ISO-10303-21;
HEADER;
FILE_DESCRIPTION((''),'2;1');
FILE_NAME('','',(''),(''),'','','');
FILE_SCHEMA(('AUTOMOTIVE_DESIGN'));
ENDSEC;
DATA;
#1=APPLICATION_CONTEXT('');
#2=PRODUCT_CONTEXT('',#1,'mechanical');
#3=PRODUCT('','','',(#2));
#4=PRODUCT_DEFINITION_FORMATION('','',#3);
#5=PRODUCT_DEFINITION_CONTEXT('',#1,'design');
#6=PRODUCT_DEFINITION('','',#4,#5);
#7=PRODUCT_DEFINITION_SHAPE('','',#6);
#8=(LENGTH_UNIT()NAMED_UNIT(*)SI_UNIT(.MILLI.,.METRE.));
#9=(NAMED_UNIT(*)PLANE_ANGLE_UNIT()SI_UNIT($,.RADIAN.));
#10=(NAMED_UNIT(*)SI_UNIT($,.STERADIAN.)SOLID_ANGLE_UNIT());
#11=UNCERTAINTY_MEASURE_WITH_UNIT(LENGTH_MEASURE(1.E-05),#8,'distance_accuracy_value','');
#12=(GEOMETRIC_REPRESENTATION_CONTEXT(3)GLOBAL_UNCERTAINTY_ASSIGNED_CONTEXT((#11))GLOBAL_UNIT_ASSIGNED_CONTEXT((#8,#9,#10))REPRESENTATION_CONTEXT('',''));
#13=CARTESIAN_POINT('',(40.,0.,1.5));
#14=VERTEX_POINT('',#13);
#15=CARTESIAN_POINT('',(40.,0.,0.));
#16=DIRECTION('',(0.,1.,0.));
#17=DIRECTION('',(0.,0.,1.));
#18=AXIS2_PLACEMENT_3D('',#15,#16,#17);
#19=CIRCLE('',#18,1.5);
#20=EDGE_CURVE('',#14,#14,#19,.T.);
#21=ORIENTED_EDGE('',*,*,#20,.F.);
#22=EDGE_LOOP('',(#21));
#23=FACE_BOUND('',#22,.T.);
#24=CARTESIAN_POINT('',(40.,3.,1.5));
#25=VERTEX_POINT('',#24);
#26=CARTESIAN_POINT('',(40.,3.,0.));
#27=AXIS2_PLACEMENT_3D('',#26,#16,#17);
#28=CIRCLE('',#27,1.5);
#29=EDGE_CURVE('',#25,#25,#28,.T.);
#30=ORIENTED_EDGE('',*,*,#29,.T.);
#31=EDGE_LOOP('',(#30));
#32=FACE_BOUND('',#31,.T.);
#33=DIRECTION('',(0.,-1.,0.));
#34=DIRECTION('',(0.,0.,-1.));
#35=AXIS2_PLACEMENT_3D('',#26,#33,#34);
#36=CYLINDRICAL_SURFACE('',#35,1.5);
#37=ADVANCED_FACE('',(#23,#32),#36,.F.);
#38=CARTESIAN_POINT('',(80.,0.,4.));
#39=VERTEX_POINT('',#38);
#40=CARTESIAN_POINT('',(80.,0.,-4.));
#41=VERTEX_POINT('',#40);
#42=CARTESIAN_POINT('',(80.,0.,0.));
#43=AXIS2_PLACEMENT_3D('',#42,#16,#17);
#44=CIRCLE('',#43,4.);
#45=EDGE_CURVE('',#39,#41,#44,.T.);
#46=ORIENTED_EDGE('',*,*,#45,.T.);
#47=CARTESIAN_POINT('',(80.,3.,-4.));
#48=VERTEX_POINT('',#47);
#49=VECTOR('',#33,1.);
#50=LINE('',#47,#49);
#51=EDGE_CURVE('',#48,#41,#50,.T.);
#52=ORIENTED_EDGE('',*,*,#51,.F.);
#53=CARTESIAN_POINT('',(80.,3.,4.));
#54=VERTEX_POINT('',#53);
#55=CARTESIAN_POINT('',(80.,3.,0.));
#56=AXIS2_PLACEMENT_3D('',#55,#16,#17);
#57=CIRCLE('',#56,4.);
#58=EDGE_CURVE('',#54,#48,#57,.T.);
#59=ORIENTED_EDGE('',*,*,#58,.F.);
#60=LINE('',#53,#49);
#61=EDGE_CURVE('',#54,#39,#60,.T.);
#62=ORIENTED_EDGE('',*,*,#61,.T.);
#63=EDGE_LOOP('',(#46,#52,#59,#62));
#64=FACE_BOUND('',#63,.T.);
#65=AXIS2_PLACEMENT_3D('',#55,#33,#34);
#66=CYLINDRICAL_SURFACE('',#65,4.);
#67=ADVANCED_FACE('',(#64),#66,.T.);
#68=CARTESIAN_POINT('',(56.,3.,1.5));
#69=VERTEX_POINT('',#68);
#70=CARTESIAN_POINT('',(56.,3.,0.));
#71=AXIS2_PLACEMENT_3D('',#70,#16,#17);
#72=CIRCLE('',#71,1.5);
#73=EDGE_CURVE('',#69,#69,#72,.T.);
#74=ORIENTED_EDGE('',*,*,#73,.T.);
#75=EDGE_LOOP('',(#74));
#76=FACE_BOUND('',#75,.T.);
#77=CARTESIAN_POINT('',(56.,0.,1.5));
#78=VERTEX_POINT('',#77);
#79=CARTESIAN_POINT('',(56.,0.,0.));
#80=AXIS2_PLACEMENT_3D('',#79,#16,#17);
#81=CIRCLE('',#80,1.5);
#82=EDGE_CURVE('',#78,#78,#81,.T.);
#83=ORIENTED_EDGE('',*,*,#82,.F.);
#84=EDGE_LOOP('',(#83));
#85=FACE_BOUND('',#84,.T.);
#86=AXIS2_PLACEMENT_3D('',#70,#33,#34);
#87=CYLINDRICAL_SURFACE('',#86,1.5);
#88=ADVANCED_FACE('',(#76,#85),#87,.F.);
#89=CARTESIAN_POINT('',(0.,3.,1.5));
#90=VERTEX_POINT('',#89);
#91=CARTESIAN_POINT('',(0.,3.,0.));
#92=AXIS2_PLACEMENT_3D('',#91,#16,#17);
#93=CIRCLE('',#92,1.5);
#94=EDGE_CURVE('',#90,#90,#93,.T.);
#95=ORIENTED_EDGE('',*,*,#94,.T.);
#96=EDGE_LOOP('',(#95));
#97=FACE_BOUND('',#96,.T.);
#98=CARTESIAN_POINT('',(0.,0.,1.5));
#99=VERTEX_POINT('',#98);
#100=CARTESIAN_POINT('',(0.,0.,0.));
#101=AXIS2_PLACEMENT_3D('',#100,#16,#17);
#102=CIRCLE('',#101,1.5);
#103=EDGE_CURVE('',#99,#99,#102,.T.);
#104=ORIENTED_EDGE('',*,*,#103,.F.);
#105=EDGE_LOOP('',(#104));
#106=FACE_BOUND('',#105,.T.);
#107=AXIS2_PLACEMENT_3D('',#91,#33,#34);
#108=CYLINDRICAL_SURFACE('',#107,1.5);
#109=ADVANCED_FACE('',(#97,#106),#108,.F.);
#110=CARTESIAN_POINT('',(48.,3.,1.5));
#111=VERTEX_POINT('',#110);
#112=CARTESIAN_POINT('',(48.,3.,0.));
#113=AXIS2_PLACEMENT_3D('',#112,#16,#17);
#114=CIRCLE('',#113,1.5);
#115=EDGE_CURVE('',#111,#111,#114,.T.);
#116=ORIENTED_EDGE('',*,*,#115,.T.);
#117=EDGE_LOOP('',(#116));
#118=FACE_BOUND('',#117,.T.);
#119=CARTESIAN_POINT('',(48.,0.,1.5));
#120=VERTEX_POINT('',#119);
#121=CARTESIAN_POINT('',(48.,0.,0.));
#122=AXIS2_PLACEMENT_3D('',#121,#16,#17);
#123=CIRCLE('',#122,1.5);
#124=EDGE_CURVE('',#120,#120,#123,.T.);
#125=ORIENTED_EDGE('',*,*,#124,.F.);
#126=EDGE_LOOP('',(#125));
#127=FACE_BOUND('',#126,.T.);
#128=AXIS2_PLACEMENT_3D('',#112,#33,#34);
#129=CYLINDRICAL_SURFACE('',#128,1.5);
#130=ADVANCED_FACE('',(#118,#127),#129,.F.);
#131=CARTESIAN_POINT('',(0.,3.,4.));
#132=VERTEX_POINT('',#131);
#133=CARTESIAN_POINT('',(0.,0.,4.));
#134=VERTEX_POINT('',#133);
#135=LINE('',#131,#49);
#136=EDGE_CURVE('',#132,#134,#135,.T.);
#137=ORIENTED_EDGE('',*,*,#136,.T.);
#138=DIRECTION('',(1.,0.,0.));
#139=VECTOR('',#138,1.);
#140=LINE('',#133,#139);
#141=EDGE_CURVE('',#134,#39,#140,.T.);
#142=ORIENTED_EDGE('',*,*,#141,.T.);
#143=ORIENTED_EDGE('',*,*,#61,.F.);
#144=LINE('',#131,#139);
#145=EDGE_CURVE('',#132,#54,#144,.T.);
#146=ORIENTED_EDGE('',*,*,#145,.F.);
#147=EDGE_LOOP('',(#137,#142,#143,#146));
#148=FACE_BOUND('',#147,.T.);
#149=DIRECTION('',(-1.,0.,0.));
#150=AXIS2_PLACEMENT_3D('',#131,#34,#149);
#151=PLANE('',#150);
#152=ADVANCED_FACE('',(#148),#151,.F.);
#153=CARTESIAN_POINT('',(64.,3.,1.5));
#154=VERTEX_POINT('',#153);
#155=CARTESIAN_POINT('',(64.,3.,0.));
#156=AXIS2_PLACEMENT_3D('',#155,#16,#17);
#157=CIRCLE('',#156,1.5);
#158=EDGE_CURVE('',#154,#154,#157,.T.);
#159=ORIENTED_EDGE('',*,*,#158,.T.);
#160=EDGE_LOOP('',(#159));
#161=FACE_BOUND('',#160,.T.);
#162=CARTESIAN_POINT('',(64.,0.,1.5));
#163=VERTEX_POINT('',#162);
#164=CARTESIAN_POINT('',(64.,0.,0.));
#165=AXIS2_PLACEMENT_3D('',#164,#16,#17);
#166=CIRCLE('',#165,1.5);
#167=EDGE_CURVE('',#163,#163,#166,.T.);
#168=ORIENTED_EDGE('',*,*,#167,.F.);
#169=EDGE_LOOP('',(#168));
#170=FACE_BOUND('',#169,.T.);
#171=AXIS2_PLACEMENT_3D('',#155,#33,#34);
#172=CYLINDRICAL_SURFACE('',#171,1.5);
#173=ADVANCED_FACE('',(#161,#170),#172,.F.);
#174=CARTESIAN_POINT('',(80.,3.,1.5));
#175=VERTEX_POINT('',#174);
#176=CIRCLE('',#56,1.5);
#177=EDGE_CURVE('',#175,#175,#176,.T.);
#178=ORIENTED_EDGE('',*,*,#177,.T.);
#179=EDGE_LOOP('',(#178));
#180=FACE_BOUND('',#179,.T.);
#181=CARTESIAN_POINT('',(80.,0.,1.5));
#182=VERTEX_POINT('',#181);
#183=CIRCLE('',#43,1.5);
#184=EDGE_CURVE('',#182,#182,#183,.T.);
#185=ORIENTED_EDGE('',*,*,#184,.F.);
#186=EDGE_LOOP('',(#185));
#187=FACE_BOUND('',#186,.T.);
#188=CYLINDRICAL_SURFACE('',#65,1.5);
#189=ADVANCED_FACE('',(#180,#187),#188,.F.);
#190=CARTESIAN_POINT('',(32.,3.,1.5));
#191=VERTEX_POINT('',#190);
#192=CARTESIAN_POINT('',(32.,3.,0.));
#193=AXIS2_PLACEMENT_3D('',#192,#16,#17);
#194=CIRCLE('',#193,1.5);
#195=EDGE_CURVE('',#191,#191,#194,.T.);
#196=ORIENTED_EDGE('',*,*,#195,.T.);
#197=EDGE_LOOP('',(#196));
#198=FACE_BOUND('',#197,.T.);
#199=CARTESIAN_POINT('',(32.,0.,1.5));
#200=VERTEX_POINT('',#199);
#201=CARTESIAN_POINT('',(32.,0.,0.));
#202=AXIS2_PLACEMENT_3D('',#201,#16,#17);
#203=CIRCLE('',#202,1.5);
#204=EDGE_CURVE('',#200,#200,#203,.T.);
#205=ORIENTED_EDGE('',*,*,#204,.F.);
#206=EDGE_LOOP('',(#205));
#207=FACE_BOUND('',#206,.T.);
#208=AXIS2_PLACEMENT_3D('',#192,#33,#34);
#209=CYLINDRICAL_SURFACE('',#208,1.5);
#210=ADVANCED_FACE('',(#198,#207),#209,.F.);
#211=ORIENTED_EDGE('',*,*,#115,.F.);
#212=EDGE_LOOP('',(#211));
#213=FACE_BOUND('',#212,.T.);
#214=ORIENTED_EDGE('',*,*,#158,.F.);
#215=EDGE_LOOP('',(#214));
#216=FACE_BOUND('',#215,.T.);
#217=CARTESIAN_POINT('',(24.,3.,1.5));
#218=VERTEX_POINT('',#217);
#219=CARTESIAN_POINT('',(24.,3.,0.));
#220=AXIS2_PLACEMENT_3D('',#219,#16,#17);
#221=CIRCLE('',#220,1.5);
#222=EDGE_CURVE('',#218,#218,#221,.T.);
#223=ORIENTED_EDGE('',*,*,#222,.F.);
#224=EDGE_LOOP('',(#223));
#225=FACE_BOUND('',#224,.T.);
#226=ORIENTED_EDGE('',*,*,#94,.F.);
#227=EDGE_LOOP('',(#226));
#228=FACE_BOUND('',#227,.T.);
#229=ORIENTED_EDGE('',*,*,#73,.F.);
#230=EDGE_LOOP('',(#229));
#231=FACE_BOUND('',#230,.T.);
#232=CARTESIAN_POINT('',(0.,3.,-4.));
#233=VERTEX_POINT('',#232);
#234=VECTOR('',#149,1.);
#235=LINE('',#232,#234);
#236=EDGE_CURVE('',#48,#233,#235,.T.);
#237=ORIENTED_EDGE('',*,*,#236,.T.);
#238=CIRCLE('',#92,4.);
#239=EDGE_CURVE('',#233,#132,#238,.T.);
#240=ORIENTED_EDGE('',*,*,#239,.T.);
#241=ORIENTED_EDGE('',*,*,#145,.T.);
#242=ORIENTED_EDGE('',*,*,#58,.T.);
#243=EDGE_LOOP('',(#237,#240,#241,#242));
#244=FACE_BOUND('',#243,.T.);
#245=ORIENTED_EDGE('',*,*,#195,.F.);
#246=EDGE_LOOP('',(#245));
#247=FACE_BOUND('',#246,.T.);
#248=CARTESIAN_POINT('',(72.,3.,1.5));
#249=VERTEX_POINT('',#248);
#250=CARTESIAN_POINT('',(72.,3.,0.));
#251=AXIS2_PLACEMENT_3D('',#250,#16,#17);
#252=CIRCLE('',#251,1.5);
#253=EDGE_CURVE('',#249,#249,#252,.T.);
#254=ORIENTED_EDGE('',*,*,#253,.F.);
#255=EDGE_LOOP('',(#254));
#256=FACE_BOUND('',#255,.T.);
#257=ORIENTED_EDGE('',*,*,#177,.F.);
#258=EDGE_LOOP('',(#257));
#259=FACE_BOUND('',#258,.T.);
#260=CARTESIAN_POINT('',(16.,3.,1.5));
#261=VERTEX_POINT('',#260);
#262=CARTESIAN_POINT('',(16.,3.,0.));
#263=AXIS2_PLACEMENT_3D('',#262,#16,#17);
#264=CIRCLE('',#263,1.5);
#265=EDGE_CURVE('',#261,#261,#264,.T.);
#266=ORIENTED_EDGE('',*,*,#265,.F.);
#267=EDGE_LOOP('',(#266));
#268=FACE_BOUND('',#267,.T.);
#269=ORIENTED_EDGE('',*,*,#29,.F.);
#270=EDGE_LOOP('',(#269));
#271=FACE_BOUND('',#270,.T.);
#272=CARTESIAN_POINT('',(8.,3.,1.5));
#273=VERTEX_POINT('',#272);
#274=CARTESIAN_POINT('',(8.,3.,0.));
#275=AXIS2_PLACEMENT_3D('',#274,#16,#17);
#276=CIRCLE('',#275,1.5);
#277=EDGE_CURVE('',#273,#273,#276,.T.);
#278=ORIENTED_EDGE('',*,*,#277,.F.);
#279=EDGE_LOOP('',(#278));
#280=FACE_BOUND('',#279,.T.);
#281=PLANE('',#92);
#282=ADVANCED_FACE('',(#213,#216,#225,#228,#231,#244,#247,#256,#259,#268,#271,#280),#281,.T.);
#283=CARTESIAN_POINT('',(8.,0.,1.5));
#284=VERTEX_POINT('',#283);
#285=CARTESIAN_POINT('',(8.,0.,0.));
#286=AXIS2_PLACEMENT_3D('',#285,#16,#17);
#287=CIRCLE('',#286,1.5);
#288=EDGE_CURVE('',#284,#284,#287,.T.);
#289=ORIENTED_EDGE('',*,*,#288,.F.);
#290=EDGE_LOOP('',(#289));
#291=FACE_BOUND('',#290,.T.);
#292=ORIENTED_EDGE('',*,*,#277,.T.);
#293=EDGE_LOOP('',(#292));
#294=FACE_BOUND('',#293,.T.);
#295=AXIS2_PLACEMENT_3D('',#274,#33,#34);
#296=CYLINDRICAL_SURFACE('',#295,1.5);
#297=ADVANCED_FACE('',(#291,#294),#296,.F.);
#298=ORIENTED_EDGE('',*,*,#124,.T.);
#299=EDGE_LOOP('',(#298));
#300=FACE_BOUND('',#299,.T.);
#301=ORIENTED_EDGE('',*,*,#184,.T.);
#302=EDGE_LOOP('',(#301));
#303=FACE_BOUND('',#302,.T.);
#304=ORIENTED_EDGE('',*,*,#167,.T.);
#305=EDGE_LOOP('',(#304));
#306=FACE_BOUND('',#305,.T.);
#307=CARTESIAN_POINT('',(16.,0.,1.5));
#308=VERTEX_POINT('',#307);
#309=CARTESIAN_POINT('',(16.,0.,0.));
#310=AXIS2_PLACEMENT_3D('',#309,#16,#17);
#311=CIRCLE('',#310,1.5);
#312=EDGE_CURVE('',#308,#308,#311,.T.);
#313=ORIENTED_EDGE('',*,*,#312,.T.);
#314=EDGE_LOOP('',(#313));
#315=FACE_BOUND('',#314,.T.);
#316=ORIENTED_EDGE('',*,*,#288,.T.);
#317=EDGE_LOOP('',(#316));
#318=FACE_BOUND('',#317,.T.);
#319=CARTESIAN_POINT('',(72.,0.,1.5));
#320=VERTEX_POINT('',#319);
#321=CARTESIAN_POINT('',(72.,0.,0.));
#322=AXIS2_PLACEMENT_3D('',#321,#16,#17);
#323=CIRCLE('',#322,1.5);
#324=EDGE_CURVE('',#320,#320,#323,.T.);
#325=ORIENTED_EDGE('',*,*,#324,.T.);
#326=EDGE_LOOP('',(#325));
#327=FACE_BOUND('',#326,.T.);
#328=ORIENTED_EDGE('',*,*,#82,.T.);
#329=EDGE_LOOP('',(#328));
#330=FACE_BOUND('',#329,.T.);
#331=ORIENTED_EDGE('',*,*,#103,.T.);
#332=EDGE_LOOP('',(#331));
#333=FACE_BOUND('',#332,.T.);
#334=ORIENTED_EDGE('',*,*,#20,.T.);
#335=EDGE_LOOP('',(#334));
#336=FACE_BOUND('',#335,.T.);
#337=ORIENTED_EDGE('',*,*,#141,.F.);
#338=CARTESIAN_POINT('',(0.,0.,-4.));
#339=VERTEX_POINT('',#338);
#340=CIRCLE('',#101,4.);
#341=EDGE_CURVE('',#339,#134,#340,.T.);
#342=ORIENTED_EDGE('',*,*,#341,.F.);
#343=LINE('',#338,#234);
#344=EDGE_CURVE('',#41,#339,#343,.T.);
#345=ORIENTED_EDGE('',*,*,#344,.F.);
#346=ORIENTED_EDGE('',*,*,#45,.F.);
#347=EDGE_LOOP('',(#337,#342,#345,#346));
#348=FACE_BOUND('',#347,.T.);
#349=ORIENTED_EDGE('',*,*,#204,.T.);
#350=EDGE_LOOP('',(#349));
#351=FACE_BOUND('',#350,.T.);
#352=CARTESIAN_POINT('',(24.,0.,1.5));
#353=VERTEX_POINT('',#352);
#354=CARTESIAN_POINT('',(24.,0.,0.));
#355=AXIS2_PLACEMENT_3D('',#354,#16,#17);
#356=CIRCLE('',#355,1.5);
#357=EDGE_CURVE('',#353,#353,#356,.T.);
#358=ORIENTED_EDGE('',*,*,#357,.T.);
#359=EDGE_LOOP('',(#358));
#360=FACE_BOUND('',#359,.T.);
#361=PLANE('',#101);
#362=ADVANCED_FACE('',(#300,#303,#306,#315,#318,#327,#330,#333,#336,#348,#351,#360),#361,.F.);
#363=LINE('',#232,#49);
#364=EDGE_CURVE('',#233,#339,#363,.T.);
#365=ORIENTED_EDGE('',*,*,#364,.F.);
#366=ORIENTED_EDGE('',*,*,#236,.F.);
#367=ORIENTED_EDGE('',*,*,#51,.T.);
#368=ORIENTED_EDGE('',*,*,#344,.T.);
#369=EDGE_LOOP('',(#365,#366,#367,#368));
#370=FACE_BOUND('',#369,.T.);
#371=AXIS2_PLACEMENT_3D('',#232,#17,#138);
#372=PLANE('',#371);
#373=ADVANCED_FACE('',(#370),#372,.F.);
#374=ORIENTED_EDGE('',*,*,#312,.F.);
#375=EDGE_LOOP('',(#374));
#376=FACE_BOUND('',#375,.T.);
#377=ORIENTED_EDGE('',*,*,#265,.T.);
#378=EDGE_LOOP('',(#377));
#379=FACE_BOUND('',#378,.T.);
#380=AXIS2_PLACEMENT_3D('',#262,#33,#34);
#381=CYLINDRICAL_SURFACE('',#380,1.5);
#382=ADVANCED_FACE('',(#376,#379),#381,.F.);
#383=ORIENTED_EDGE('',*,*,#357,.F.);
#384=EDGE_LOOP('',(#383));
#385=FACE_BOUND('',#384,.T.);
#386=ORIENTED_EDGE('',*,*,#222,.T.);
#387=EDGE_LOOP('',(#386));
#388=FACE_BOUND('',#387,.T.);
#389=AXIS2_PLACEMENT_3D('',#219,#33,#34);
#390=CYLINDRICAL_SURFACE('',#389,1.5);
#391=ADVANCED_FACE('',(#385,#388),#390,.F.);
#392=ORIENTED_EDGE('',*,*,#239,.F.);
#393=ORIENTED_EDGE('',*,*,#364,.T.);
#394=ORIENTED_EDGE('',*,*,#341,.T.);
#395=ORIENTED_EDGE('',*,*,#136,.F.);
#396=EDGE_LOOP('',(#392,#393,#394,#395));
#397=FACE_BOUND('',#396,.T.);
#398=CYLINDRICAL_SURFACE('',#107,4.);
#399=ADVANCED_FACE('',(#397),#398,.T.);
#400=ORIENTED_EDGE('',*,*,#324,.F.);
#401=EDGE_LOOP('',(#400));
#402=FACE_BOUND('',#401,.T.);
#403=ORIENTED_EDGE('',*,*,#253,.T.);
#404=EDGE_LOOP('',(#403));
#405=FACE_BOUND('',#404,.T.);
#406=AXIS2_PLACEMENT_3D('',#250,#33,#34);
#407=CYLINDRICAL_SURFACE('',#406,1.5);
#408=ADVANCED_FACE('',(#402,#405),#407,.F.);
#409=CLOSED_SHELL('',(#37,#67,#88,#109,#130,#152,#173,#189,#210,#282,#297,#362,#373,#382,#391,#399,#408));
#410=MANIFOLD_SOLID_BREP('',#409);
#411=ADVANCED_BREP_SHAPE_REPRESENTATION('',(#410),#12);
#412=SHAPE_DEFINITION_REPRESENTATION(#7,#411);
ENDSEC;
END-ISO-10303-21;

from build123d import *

# Parameters (mm, degrees)
SKETCH2_R           = 1.5
BOSS_EXTRUDE2_DEPTH = 3


with BuildPart() as part:
    # Sketch2 → Boss-Extrude2 (new body)
    with BuildSketch(Plane(origin=(0, 0, 0), x_dir=(1, 0, 0), z_dir=(0, 1, 0))):
        with BuildLine():
            Line((0, 4), (80, 4))
            ThreePointArc((80, 4), (84, 0), (80, -4))
            Line((80, -4), (0, -4))
            ThreePointArc((0, -4), (-4, 0), (0, 4))
        make_face()
        with Locations(Location((0, 0, 0), (0, 0, 270))):
            Circle(SKETCH2_R, mode=Mode.SUBTRACT)
        with Locations(Location((8, 0, 0), (0, 0, 270))):
            Circle(SKETCH2_R, mode=Mode.SUBTRACT)
        with Locations(Location((16, 0, 0), (0, 0, 270))):
            Circle(SKETCH2_R, mode=Mode.SUBTRACT)
        with Locations(Location((24, 0, 0), (0, 0, 270))):
            Circle(SKETCH2_R, mode=Mode.SUBTRACT)
        with Locations(Location((32, 0, 0), (0, 0, 270))):
            Circle(SKETCH2_R, mode=Mode.SUBTRACT)
        with Locations(Location((40, 0, 0), (0, 0, 270))):
            Circle(SKETCH2_R, mode=Mode.SUBTRACT)
        with Locations(Location((48, 0, 0), (0, 0, 270))):
            Circle(SKETCH2_R, mode=Mode.SUBTRACT)
        with Locations(Location((56, 0, 0), (0, 0, 270))):
            Circle(SKETCH2_R, mode=Mode.SUBTRACT)
        with Locations(Location((64, 0, 0), (0, 0, 270))):
            Circle(SKETCH2_R, mode=Mode.SUBTRACT)
        with Locations(Location((72, 0, 0), (0, 0, 270))):
            Circle(SKETCH2_R, mode=Mode.SUBTRACT)
        with Locations(Location((80, 0, 0), (0, 0, 270))):
            Circle(SKETCH2_R, mode=Mode.SUBTRACT)
    extrude(amount=BOSS_EXTRUDE2_DEPTH)


solid = part.part
